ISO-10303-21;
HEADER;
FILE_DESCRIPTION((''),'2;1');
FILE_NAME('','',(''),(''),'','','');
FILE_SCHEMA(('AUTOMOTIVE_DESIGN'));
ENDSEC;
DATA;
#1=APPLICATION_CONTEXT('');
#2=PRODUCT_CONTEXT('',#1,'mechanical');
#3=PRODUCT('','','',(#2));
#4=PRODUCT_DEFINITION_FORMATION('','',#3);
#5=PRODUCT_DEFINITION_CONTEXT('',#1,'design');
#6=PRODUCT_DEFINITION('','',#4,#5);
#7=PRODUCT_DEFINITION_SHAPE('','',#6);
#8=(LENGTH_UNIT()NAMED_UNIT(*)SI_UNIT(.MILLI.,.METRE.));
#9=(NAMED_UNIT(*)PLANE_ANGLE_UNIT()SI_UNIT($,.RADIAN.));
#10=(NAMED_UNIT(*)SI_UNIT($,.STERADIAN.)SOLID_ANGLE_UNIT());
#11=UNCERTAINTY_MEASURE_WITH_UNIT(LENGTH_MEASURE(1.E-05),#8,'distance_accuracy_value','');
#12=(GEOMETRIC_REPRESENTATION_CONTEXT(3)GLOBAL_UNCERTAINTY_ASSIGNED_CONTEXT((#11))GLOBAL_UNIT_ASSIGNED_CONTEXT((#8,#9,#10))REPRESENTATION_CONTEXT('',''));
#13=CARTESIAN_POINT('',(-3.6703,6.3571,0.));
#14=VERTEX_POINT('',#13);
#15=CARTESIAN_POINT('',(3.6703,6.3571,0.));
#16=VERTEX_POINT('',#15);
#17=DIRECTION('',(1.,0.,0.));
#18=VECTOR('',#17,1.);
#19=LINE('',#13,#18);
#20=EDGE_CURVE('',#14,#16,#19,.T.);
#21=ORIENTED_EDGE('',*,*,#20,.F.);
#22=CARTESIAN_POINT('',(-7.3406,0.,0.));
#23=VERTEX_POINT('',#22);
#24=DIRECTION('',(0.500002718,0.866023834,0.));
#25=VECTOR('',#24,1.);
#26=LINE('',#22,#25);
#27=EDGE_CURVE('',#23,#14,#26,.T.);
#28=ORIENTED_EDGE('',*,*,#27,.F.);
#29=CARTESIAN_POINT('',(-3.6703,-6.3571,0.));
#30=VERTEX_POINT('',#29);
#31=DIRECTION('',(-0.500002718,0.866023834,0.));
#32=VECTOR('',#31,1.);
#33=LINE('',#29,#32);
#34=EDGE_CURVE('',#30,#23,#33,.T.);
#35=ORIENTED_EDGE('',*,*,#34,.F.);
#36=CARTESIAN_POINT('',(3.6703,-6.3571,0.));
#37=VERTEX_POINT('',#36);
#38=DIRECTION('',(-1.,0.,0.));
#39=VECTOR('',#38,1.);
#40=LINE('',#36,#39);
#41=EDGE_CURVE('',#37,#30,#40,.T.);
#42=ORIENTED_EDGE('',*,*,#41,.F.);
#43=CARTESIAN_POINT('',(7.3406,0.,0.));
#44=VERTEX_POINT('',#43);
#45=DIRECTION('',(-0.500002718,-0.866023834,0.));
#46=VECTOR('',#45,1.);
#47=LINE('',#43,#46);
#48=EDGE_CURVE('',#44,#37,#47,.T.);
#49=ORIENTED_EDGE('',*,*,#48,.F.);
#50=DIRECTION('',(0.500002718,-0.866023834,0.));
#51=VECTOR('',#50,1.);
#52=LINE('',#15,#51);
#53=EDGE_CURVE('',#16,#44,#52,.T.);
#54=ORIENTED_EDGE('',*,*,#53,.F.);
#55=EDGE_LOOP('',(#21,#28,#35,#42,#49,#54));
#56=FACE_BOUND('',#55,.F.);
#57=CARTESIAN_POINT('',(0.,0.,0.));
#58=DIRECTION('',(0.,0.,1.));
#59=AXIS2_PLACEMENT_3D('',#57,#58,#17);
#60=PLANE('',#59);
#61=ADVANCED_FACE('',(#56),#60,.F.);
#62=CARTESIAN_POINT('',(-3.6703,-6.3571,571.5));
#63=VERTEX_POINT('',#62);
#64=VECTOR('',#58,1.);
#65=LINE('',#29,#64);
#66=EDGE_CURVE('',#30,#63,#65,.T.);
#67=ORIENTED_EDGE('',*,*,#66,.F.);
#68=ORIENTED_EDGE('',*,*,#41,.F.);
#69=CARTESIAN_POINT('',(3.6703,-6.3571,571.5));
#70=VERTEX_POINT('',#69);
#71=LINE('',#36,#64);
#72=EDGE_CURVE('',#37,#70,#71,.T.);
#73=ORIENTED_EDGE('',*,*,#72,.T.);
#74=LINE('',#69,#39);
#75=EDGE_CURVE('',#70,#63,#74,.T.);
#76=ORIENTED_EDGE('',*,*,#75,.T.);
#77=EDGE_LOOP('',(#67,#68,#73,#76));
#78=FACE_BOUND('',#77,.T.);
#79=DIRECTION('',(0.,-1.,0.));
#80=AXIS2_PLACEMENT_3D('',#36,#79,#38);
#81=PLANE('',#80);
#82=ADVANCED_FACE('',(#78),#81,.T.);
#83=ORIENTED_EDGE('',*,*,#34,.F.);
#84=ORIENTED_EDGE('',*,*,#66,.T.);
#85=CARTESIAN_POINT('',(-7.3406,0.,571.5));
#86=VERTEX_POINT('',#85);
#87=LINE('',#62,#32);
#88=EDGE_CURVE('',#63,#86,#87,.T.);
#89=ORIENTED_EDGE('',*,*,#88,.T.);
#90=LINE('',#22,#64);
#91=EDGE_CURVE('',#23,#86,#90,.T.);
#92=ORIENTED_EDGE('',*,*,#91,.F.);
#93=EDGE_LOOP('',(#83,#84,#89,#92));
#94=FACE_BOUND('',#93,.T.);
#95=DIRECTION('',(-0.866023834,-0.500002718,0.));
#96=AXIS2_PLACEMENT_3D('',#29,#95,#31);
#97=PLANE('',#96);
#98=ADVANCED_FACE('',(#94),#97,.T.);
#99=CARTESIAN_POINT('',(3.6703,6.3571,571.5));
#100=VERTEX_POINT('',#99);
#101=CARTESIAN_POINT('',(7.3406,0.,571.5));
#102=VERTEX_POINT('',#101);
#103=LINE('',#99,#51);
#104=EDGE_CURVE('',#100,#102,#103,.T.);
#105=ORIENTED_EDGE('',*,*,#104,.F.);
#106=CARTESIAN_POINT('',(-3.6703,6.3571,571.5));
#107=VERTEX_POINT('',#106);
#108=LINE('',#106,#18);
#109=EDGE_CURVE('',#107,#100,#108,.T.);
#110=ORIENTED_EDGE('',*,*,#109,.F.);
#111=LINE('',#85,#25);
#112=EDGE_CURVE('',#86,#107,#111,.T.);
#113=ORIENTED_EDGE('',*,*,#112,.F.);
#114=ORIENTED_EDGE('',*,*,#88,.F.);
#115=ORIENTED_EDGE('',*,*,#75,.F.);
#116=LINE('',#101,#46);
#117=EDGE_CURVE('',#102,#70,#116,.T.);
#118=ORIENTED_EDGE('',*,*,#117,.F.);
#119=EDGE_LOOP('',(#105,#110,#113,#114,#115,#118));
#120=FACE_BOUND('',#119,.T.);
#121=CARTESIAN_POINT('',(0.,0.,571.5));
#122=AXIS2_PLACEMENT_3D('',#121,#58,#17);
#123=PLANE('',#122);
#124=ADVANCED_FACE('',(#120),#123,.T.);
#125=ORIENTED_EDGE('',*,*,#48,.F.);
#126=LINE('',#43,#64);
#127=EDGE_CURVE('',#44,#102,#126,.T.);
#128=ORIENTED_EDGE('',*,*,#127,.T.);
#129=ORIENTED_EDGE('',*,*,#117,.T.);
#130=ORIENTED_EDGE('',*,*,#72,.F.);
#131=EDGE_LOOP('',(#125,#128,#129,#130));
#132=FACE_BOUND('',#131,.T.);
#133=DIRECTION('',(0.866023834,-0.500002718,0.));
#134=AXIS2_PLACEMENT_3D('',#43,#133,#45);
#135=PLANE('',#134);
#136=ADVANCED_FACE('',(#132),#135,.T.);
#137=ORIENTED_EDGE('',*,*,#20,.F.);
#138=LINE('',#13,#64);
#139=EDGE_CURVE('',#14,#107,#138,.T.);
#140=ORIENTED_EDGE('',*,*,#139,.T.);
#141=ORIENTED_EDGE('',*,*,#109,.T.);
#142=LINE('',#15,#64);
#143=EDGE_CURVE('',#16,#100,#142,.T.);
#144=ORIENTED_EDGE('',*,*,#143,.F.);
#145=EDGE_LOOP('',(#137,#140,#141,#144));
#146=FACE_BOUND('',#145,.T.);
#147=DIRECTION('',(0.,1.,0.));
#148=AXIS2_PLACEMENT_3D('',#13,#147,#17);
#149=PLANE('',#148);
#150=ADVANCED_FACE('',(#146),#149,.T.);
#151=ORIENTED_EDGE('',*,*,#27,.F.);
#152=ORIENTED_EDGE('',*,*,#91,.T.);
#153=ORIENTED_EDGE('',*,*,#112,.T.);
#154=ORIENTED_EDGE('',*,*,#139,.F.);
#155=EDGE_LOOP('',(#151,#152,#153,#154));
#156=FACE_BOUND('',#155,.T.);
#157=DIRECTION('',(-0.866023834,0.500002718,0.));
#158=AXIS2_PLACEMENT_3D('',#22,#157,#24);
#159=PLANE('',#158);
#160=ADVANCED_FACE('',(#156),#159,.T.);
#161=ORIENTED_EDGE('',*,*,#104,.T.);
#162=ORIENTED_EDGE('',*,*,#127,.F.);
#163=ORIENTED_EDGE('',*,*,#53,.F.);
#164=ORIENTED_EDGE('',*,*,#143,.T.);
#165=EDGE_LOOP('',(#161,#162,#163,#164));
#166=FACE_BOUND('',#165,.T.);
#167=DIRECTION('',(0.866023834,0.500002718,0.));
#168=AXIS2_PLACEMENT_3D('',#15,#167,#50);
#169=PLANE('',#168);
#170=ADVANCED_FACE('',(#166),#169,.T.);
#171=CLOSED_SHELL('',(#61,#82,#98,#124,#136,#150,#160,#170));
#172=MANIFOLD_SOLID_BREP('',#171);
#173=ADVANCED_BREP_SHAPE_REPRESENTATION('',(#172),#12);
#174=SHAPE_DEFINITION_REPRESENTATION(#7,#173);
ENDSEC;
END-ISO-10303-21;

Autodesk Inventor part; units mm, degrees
ref_plane "YZ Plane" through (0, 0, 0) normal (1, 0, 0) x (0, 1, 0)
ref_plane "XZ Plane" through (0, 0, 0) normal (0, 1, 0) x (-1, 0, 0)
ref_plane "XY Plane" through (0, 0, 0) normal (0, 0, 1) x (1, 0, 0)
sketch "Sketch1" plane through (0, 0, 0) normal (0, 0, 1) x (1, 0, 0)
  line L0 (7.3406, 0) -> (3.6703, -6.3571)
  line L1 (3.6703, -6.3571) -> (-3.6703, -6.3571)
  line L2 (-3.6703, -6.3571) -> (-7.3406, 0)
  line L3 (-7.3406, 0) -> (-3.6703, 6.3571)
  line L4 (-3.6703, 6.3571) -> (3.6703, 6.3571)
  line L5 (3.6703, 6.3571) -> (7.3406, 0)
  point P0 (0, 0)
  point P1 (0, 0)
  dimension "d0" = 7.3406
extrude "Extrusion1" add sketch "Sketch1" along normal blind 571.5
properties part number "Intake hex" material "Aluminum 6061"
